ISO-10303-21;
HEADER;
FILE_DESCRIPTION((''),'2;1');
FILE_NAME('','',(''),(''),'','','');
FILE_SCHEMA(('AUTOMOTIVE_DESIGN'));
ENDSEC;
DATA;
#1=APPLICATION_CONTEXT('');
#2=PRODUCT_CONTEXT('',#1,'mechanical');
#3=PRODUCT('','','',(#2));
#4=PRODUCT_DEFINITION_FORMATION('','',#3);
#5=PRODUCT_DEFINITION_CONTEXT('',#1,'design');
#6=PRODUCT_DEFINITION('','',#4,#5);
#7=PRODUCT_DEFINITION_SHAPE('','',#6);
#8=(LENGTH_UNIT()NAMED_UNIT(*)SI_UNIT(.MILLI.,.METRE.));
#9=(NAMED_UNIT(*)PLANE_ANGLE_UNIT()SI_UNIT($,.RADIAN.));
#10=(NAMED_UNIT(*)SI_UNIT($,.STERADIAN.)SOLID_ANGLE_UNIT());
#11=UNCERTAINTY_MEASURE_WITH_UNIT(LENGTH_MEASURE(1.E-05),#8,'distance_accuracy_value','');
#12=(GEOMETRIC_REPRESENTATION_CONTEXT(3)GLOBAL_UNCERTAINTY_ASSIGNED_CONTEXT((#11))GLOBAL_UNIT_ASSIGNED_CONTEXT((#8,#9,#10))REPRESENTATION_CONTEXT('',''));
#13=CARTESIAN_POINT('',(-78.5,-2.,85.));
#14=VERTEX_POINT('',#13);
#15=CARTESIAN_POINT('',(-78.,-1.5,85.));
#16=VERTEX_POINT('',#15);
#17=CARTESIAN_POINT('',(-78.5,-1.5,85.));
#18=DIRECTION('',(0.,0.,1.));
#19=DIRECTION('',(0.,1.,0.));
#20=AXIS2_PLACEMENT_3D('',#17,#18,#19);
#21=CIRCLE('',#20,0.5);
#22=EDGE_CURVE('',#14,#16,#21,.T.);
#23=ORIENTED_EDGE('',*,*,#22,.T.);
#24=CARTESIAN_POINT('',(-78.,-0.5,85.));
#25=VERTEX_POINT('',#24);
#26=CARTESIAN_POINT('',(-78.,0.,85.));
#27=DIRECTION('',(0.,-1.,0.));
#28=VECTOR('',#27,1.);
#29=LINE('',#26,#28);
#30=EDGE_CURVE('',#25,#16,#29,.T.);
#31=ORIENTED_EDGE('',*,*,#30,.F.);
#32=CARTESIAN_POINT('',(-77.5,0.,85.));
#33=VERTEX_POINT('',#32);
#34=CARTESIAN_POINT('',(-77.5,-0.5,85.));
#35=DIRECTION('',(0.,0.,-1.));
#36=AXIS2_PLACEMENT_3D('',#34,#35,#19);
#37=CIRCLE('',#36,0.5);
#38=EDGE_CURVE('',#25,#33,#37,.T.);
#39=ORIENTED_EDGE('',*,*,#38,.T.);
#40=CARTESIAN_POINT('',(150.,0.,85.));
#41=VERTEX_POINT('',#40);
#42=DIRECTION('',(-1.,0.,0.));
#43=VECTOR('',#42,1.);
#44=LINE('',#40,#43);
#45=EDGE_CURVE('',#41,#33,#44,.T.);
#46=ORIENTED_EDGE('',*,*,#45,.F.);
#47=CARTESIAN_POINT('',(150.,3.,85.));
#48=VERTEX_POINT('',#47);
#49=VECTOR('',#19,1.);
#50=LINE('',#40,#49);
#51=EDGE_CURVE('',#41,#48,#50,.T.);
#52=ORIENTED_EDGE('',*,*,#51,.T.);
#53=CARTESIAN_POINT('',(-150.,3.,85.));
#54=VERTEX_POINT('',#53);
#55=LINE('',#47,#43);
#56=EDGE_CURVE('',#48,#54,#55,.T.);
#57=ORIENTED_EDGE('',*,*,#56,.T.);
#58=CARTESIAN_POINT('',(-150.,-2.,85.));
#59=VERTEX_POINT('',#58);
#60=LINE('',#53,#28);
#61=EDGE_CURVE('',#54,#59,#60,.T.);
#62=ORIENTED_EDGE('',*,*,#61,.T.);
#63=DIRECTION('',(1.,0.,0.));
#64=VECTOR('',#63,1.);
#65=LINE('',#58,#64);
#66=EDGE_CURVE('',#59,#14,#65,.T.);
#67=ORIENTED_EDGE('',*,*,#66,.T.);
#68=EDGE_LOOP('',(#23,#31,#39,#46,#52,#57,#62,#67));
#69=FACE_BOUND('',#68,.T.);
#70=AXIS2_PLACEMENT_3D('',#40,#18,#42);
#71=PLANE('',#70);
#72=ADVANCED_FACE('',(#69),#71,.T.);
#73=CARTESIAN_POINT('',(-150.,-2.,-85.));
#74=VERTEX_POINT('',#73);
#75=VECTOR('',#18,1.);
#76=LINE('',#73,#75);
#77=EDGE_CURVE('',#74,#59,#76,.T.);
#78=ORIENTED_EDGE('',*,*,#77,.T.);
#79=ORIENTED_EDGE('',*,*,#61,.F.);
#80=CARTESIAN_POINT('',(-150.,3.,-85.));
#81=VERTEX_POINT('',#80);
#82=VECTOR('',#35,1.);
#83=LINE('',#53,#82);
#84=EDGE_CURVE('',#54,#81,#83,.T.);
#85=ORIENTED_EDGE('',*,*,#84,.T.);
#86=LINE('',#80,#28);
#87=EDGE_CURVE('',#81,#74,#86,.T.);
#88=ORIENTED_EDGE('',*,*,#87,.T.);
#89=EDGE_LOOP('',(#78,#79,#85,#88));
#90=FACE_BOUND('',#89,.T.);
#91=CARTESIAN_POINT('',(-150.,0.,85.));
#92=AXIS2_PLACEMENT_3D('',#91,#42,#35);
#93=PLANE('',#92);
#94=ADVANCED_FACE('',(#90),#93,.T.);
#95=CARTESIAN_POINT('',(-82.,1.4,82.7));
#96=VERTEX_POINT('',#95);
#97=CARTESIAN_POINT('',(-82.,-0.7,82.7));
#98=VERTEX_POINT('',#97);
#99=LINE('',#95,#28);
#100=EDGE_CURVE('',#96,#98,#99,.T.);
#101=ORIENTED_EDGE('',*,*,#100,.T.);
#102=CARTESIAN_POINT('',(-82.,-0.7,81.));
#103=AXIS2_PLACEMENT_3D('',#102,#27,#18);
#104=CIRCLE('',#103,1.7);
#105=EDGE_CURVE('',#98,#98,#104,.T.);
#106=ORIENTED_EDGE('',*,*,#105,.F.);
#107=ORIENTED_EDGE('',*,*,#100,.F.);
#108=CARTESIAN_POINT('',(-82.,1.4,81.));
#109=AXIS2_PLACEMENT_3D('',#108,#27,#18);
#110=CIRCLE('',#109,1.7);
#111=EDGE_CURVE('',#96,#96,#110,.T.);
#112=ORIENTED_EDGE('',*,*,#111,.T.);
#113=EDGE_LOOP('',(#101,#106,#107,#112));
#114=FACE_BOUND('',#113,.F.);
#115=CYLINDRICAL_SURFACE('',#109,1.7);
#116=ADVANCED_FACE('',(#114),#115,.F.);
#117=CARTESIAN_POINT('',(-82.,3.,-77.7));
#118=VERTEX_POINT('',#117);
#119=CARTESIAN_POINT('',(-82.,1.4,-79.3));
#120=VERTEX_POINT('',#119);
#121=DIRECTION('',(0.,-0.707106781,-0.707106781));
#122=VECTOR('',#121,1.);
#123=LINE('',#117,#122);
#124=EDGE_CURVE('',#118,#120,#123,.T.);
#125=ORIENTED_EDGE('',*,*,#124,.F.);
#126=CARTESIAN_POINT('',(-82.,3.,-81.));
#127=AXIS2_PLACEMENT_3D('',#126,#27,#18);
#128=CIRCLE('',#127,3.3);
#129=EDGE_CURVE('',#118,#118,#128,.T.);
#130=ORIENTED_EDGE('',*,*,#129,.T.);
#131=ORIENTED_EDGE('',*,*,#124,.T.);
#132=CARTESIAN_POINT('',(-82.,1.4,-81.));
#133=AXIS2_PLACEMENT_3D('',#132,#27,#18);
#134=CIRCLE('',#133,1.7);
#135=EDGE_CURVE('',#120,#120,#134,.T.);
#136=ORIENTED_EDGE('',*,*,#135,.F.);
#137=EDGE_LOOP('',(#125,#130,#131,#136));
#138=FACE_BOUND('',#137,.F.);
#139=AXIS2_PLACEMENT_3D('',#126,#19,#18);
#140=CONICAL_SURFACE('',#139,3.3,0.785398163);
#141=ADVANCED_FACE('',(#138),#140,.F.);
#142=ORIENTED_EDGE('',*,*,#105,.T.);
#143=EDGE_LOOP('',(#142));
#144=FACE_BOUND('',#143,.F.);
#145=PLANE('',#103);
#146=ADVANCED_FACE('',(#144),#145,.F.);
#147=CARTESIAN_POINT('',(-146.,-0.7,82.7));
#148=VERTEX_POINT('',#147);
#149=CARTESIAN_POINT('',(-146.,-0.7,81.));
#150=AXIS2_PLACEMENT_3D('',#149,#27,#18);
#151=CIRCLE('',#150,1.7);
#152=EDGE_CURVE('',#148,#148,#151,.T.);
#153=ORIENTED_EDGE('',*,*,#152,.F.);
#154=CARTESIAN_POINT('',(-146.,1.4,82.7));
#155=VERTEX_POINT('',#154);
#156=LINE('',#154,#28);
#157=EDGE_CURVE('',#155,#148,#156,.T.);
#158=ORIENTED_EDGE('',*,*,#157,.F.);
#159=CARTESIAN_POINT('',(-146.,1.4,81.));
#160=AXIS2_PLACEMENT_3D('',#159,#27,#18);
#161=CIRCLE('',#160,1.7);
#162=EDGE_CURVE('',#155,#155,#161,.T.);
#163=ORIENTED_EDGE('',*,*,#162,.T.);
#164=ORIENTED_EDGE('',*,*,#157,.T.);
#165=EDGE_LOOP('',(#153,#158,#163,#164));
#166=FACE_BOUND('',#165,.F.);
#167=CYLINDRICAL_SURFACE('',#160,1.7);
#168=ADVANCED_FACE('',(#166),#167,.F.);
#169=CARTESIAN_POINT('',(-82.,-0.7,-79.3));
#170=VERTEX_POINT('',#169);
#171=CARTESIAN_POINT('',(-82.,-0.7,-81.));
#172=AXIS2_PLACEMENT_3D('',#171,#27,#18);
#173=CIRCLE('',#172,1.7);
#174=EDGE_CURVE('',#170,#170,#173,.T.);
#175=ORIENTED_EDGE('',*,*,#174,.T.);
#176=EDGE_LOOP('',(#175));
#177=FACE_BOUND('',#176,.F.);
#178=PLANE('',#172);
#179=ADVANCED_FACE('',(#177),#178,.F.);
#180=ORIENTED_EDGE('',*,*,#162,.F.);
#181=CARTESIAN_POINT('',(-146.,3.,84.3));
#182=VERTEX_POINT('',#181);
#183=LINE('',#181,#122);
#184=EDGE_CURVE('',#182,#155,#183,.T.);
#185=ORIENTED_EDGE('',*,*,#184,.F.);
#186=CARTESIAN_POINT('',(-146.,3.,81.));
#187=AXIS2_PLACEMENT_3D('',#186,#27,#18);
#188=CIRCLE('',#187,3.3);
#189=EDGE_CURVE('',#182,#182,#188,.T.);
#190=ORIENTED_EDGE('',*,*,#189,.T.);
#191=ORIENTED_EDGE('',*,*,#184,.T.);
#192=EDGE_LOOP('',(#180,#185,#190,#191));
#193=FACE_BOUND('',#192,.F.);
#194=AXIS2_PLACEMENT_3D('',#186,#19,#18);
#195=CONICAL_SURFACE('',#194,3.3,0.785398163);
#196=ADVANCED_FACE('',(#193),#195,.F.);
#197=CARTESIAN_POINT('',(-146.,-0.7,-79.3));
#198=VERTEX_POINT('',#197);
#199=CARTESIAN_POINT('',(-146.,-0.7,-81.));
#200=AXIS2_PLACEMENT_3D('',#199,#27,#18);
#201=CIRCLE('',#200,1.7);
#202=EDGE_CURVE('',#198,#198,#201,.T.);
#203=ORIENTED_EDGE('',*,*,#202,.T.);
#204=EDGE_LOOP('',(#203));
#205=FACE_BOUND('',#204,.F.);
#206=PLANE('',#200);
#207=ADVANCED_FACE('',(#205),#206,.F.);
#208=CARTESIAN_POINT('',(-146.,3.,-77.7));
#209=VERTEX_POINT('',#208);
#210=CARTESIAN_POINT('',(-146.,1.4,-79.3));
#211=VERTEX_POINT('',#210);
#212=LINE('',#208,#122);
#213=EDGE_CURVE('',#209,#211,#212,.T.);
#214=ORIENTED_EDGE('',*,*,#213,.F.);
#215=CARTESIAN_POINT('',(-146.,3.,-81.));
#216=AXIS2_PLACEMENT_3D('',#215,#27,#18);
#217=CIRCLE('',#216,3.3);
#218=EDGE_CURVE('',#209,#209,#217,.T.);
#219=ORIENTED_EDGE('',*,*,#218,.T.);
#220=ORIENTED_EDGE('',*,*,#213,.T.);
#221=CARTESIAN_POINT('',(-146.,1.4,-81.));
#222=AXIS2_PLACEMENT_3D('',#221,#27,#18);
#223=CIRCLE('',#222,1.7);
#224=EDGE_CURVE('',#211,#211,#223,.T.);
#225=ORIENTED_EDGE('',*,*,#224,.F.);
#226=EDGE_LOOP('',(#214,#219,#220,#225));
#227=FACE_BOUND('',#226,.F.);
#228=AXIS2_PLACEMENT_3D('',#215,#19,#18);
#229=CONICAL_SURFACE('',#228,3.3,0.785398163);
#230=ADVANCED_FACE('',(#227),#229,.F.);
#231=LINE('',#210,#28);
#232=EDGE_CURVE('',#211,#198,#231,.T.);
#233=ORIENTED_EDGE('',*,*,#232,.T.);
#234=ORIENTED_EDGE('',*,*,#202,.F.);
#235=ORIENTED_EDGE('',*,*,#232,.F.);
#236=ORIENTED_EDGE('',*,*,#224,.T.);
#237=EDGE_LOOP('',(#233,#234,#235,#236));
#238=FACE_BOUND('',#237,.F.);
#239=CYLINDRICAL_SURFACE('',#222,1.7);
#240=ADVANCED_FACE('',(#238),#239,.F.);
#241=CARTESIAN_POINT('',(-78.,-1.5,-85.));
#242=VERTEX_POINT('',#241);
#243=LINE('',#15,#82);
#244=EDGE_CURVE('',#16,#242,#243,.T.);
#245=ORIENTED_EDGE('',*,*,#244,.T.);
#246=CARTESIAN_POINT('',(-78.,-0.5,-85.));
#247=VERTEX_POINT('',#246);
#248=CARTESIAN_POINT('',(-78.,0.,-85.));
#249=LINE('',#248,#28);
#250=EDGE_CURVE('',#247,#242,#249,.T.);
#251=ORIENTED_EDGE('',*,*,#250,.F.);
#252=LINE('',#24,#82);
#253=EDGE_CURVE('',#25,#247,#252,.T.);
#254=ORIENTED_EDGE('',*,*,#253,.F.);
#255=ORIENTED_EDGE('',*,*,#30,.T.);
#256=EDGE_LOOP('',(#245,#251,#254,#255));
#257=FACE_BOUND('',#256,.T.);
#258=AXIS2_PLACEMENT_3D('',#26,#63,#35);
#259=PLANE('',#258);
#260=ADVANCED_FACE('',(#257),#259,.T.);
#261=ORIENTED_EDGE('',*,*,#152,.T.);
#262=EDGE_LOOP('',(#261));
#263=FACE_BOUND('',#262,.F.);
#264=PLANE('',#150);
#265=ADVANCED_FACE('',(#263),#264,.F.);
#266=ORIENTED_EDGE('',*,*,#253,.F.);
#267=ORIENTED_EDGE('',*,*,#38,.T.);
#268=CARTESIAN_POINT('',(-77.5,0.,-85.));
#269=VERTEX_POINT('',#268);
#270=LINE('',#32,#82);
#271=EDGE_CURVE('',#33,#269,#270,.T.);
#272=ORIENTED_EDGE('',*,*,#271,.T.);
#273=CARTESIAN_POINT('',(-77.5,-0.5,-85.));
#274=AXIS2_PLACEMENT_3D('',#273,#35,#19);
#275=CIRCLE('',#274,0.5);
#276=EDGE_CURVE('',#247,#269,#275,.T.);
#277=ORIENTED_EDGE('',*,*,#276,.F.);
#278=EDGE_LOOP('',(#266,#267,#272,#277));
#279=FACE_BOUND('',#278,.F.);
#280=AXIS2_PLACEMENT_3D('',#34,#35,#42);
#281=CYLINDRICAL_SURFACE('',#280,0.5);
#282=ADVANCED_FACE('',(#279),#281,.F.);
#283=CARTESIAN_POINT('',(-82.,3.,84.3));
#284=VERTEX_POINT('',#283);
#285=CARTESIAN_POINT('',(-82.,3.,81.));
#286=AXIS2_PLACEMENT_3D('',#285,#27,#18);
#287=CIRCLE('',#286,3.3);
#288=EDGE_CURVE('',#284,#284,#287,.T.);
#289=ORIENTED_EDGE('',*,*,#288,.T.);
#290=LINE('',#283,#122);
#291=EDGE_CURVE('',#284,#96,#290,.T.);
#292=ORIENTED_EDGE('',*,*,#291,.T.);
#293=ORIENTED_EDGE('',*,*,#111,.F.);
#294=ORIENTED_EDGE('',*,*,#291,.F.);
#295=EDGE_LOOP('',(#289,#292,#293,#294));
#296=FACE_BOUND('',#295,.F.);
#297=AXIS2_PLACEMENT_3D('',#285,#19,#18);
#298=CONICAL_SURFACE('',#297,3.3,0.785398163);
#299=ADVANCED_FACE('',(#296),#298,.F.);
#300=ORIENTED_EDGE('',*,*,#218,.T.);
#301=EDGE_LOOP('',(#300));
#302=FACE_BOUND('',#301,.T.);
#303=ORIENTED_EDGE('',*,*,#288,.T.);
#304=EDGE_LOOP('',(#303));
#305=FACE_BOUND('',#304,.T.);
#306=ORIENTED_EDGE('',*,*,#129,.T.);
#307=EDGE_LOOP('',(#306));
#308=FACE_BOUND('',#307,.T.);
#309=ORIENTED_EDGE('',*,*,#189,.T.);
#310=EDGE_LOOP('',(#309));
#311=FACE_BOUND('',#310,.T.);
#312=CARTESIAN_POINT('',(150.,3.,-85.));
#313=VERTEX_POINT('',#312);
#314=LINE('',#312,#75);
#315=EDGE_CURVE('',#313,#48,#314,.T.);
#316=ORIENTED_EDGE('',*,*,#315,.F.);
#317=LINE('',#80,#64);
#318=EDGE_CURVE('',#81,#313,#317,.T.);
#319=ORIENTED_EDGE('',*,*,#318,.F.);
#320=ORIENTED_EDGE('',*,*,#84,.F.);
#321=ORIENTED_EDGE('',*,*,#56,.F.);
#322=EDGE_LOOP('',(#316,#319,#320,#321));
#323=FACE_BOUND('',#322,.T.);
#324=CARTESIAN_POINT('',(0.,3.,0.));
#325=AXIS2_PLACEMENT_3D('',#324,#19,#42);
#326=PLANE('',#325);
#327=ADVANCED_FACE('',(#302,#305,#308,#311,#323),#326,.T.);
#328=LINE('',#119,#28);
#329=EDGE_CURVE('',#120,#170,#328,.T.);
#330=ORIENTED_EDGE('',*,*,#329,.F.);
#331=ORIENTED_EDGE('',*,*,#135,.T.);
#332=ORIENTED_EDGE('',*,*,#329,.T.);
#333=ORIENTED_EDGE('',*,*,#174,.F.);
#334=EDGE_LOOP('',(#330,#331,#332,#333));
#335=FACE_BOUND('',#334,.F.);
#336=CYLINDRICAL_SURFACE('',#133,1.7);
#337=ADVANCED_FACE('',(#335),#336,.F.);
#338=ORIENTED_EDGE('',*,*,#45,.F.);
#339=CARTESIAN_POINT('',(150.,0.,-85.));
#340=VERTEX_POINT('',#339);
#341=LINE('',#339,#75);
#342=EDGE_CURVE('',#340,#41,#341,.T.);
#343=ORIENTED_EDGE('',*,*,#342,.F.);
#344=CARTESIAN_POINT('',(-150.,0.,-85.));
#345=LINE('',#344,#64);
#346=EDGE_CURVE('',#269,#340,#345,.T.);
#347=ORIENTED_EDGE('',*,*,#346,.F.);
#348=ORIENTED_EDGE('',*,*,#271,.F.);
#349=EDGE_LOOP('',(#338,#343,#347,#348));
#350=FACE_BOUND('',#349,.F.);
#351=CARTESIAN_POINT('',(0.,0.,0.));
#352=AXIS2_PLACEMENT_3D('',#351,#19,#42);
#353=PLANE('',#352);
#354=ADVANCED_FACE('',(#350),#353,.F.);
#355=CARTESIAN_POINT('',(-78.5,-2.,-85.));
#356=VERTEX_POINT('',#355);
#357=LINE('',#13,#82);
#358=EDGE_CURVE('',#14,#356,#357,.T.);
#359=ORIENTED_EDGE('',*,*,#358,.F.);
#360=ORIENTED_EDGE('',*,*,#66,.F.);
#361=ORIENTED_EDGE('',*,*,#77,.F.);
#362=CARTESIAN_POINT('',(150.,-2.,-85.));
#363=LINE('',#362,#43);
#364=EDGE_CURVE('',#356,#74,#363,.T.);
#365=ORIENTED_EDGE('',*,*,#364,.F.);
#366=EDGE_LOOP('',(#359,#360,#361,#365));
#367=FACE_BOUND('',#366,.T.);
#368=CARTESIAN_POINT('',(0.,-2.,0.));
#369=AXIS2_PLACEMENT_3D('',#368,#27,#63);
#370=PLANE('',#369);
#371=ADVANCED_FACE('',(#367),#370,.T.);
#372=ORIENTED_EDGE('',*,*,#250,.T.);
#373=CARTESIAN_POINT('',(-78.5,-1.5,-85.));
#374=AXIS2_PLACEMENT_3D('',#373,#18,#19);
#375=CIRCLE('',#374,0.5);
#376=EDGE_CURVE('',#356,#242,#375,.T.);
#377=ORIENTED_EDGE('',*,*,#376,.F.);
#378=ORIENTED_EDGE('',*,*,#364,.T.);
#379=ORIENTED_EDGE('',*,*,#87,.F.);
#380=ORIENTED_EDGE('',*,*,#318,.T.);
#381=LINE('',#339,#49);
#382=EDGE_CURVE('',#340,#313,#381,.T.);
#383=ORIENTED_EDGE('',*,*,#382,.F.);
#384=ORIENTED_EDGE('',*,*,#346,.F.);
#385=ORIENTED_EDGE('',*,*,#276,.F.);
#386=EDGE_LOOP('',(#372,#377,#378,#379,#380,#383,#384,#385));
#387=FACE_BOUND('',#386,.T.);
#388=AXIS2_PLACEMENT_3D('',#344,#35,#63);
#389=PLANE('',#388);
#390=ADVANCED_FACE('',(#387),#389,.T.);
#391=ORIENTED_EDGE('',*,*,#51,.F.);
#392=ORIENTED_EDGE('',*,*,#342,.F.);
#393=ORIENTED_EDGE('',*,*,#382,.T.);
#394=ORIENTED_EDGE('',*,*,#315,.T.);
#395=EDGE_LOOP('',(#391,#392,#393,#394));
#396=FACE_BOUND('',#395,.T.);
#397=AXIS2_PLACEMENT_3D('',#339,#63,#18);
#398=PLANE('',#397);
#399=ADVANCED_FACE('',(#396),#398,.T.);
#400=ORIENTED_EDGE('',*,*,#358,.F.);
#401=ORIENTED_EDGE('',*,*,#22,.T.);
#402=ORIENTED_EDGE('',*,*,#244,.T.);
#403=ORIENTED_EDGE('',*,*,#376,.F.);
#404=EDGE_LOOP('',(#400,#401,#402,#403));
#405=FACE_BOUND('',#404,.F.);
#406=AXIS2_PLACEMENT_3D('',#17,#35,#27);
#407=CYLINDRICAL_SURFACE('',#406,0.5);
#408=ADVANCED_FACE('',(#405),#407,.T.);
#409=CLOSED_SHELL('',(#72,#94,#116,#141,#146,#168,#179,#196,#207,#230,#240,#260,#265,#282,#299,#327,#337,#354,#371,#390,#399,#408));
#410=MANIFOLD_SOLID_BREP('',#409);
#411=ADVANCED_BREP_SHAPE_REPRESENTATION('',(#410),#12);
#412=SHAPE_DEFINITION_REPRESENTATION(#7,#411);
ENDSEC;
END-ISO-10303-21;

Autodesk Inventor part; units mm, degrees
ref_plane "YZ Plane" through (0, 0, 0) normal (1, 0, 0) x (0, 1, 0)
ref_plane "XZ Plane" through (0, 0, 0) normal (0, 1, 0) x (-1, 0, 0)
ref_plane "XY Plane" through (0, 0, 0) normal (0, 0, 1) x (1, 0, 0)
sketch "Эскиз1" plane through (0, 0, 0) normal (0, 1, 0) x (-1, 0, 0)
  line L0 (-150, 85) -> (150, 85)
  line L1 (150, 85) -> (150, -85)
  line L2 (150, -85) -> (-150, -85)
  line L3 (-150, -85) -> (-150, 85)
  line L4 (-150, 85) -> (150, -85) construction
  line L5 (150, 85) -> (-150, -85) construction
  point P0 (0, 0)
  dimension "d0" = 170
  dimension "d1" = 300
extrude "Выдавливание1" add sketch "Эскиз1" along normal blind 3
sketch "Эскиз4" plane through (0, 0, 0) normal (0, -1, 0) x (1, 0, 0)
  line L0 (150, -85) -> (-150, -85) projected
  line L1 (150, 85) -> (150, -85) projected
  line L2 (-150, 85) -> (150, 85) projected
  line L3 (-150, -85) -> (-150, 85) projected
  line L4 (150, -85) -> (-150, -85) projected
  line L5 (-150, -85) -> (-150, 85)
  line L6 (-150, 85) -> (-78, 85)
  line L7 (-78, 85) -> (-78, -85)
  line L8 (-78, -85) -> (-150, -85)
  point P0 (0, 0)
  point P1 (-78, -85)
  point P2 (-78, 85)
  dimension "d17" = 72
extrude "Выдавливание3" add sketch "Эскиз4" along normal blind 2 contours L0 L3 L2 L7
sketch "Эскиз2" plane through (0, 3, 0) normal (0, 1, 0) x (1, 0, 0)
  line L0 (-82, 81) -> (-146, 81) construction
  line L1 (-146, 81) -> (-146, -81) construction
  line L2 (-146, -81) -> (-82, -81) construction
  line L3 (-82, -81) -> (-82, 81) construction
  line L4 (-82, 81) -> (-146, -81) construction
  line L5 (-146, 81) -> (-82, -81) construction
  line L6 (0, 0) -> (-69.8255, 0) construction
  line L7 (-150, 85) -> (-150, -85) construction
  point P0 (-114, 0)
  point P1 (-114, 0)
  dimension "d4" = 162
  dimension "d5" = 4
  dimension "d6" = 64
hole "Отверстие1" at (-146, 3, 81) at (-82, 3, 81) at (-146, 3, -81) at (-82, 3, -81) direction (0, -1, 0) diameter 3.4 depth 3.7 countersink diameter 6.6 countersink angle 90 clearance for "с потайной головкой ГОСТ 12876-67" size "M3" standard "ГОСТ"
fillet "Сопряжение1" radius 0.5 2 edges at (-78, 0, 0) (-78, -2, 0)
properties part number "форточка"
